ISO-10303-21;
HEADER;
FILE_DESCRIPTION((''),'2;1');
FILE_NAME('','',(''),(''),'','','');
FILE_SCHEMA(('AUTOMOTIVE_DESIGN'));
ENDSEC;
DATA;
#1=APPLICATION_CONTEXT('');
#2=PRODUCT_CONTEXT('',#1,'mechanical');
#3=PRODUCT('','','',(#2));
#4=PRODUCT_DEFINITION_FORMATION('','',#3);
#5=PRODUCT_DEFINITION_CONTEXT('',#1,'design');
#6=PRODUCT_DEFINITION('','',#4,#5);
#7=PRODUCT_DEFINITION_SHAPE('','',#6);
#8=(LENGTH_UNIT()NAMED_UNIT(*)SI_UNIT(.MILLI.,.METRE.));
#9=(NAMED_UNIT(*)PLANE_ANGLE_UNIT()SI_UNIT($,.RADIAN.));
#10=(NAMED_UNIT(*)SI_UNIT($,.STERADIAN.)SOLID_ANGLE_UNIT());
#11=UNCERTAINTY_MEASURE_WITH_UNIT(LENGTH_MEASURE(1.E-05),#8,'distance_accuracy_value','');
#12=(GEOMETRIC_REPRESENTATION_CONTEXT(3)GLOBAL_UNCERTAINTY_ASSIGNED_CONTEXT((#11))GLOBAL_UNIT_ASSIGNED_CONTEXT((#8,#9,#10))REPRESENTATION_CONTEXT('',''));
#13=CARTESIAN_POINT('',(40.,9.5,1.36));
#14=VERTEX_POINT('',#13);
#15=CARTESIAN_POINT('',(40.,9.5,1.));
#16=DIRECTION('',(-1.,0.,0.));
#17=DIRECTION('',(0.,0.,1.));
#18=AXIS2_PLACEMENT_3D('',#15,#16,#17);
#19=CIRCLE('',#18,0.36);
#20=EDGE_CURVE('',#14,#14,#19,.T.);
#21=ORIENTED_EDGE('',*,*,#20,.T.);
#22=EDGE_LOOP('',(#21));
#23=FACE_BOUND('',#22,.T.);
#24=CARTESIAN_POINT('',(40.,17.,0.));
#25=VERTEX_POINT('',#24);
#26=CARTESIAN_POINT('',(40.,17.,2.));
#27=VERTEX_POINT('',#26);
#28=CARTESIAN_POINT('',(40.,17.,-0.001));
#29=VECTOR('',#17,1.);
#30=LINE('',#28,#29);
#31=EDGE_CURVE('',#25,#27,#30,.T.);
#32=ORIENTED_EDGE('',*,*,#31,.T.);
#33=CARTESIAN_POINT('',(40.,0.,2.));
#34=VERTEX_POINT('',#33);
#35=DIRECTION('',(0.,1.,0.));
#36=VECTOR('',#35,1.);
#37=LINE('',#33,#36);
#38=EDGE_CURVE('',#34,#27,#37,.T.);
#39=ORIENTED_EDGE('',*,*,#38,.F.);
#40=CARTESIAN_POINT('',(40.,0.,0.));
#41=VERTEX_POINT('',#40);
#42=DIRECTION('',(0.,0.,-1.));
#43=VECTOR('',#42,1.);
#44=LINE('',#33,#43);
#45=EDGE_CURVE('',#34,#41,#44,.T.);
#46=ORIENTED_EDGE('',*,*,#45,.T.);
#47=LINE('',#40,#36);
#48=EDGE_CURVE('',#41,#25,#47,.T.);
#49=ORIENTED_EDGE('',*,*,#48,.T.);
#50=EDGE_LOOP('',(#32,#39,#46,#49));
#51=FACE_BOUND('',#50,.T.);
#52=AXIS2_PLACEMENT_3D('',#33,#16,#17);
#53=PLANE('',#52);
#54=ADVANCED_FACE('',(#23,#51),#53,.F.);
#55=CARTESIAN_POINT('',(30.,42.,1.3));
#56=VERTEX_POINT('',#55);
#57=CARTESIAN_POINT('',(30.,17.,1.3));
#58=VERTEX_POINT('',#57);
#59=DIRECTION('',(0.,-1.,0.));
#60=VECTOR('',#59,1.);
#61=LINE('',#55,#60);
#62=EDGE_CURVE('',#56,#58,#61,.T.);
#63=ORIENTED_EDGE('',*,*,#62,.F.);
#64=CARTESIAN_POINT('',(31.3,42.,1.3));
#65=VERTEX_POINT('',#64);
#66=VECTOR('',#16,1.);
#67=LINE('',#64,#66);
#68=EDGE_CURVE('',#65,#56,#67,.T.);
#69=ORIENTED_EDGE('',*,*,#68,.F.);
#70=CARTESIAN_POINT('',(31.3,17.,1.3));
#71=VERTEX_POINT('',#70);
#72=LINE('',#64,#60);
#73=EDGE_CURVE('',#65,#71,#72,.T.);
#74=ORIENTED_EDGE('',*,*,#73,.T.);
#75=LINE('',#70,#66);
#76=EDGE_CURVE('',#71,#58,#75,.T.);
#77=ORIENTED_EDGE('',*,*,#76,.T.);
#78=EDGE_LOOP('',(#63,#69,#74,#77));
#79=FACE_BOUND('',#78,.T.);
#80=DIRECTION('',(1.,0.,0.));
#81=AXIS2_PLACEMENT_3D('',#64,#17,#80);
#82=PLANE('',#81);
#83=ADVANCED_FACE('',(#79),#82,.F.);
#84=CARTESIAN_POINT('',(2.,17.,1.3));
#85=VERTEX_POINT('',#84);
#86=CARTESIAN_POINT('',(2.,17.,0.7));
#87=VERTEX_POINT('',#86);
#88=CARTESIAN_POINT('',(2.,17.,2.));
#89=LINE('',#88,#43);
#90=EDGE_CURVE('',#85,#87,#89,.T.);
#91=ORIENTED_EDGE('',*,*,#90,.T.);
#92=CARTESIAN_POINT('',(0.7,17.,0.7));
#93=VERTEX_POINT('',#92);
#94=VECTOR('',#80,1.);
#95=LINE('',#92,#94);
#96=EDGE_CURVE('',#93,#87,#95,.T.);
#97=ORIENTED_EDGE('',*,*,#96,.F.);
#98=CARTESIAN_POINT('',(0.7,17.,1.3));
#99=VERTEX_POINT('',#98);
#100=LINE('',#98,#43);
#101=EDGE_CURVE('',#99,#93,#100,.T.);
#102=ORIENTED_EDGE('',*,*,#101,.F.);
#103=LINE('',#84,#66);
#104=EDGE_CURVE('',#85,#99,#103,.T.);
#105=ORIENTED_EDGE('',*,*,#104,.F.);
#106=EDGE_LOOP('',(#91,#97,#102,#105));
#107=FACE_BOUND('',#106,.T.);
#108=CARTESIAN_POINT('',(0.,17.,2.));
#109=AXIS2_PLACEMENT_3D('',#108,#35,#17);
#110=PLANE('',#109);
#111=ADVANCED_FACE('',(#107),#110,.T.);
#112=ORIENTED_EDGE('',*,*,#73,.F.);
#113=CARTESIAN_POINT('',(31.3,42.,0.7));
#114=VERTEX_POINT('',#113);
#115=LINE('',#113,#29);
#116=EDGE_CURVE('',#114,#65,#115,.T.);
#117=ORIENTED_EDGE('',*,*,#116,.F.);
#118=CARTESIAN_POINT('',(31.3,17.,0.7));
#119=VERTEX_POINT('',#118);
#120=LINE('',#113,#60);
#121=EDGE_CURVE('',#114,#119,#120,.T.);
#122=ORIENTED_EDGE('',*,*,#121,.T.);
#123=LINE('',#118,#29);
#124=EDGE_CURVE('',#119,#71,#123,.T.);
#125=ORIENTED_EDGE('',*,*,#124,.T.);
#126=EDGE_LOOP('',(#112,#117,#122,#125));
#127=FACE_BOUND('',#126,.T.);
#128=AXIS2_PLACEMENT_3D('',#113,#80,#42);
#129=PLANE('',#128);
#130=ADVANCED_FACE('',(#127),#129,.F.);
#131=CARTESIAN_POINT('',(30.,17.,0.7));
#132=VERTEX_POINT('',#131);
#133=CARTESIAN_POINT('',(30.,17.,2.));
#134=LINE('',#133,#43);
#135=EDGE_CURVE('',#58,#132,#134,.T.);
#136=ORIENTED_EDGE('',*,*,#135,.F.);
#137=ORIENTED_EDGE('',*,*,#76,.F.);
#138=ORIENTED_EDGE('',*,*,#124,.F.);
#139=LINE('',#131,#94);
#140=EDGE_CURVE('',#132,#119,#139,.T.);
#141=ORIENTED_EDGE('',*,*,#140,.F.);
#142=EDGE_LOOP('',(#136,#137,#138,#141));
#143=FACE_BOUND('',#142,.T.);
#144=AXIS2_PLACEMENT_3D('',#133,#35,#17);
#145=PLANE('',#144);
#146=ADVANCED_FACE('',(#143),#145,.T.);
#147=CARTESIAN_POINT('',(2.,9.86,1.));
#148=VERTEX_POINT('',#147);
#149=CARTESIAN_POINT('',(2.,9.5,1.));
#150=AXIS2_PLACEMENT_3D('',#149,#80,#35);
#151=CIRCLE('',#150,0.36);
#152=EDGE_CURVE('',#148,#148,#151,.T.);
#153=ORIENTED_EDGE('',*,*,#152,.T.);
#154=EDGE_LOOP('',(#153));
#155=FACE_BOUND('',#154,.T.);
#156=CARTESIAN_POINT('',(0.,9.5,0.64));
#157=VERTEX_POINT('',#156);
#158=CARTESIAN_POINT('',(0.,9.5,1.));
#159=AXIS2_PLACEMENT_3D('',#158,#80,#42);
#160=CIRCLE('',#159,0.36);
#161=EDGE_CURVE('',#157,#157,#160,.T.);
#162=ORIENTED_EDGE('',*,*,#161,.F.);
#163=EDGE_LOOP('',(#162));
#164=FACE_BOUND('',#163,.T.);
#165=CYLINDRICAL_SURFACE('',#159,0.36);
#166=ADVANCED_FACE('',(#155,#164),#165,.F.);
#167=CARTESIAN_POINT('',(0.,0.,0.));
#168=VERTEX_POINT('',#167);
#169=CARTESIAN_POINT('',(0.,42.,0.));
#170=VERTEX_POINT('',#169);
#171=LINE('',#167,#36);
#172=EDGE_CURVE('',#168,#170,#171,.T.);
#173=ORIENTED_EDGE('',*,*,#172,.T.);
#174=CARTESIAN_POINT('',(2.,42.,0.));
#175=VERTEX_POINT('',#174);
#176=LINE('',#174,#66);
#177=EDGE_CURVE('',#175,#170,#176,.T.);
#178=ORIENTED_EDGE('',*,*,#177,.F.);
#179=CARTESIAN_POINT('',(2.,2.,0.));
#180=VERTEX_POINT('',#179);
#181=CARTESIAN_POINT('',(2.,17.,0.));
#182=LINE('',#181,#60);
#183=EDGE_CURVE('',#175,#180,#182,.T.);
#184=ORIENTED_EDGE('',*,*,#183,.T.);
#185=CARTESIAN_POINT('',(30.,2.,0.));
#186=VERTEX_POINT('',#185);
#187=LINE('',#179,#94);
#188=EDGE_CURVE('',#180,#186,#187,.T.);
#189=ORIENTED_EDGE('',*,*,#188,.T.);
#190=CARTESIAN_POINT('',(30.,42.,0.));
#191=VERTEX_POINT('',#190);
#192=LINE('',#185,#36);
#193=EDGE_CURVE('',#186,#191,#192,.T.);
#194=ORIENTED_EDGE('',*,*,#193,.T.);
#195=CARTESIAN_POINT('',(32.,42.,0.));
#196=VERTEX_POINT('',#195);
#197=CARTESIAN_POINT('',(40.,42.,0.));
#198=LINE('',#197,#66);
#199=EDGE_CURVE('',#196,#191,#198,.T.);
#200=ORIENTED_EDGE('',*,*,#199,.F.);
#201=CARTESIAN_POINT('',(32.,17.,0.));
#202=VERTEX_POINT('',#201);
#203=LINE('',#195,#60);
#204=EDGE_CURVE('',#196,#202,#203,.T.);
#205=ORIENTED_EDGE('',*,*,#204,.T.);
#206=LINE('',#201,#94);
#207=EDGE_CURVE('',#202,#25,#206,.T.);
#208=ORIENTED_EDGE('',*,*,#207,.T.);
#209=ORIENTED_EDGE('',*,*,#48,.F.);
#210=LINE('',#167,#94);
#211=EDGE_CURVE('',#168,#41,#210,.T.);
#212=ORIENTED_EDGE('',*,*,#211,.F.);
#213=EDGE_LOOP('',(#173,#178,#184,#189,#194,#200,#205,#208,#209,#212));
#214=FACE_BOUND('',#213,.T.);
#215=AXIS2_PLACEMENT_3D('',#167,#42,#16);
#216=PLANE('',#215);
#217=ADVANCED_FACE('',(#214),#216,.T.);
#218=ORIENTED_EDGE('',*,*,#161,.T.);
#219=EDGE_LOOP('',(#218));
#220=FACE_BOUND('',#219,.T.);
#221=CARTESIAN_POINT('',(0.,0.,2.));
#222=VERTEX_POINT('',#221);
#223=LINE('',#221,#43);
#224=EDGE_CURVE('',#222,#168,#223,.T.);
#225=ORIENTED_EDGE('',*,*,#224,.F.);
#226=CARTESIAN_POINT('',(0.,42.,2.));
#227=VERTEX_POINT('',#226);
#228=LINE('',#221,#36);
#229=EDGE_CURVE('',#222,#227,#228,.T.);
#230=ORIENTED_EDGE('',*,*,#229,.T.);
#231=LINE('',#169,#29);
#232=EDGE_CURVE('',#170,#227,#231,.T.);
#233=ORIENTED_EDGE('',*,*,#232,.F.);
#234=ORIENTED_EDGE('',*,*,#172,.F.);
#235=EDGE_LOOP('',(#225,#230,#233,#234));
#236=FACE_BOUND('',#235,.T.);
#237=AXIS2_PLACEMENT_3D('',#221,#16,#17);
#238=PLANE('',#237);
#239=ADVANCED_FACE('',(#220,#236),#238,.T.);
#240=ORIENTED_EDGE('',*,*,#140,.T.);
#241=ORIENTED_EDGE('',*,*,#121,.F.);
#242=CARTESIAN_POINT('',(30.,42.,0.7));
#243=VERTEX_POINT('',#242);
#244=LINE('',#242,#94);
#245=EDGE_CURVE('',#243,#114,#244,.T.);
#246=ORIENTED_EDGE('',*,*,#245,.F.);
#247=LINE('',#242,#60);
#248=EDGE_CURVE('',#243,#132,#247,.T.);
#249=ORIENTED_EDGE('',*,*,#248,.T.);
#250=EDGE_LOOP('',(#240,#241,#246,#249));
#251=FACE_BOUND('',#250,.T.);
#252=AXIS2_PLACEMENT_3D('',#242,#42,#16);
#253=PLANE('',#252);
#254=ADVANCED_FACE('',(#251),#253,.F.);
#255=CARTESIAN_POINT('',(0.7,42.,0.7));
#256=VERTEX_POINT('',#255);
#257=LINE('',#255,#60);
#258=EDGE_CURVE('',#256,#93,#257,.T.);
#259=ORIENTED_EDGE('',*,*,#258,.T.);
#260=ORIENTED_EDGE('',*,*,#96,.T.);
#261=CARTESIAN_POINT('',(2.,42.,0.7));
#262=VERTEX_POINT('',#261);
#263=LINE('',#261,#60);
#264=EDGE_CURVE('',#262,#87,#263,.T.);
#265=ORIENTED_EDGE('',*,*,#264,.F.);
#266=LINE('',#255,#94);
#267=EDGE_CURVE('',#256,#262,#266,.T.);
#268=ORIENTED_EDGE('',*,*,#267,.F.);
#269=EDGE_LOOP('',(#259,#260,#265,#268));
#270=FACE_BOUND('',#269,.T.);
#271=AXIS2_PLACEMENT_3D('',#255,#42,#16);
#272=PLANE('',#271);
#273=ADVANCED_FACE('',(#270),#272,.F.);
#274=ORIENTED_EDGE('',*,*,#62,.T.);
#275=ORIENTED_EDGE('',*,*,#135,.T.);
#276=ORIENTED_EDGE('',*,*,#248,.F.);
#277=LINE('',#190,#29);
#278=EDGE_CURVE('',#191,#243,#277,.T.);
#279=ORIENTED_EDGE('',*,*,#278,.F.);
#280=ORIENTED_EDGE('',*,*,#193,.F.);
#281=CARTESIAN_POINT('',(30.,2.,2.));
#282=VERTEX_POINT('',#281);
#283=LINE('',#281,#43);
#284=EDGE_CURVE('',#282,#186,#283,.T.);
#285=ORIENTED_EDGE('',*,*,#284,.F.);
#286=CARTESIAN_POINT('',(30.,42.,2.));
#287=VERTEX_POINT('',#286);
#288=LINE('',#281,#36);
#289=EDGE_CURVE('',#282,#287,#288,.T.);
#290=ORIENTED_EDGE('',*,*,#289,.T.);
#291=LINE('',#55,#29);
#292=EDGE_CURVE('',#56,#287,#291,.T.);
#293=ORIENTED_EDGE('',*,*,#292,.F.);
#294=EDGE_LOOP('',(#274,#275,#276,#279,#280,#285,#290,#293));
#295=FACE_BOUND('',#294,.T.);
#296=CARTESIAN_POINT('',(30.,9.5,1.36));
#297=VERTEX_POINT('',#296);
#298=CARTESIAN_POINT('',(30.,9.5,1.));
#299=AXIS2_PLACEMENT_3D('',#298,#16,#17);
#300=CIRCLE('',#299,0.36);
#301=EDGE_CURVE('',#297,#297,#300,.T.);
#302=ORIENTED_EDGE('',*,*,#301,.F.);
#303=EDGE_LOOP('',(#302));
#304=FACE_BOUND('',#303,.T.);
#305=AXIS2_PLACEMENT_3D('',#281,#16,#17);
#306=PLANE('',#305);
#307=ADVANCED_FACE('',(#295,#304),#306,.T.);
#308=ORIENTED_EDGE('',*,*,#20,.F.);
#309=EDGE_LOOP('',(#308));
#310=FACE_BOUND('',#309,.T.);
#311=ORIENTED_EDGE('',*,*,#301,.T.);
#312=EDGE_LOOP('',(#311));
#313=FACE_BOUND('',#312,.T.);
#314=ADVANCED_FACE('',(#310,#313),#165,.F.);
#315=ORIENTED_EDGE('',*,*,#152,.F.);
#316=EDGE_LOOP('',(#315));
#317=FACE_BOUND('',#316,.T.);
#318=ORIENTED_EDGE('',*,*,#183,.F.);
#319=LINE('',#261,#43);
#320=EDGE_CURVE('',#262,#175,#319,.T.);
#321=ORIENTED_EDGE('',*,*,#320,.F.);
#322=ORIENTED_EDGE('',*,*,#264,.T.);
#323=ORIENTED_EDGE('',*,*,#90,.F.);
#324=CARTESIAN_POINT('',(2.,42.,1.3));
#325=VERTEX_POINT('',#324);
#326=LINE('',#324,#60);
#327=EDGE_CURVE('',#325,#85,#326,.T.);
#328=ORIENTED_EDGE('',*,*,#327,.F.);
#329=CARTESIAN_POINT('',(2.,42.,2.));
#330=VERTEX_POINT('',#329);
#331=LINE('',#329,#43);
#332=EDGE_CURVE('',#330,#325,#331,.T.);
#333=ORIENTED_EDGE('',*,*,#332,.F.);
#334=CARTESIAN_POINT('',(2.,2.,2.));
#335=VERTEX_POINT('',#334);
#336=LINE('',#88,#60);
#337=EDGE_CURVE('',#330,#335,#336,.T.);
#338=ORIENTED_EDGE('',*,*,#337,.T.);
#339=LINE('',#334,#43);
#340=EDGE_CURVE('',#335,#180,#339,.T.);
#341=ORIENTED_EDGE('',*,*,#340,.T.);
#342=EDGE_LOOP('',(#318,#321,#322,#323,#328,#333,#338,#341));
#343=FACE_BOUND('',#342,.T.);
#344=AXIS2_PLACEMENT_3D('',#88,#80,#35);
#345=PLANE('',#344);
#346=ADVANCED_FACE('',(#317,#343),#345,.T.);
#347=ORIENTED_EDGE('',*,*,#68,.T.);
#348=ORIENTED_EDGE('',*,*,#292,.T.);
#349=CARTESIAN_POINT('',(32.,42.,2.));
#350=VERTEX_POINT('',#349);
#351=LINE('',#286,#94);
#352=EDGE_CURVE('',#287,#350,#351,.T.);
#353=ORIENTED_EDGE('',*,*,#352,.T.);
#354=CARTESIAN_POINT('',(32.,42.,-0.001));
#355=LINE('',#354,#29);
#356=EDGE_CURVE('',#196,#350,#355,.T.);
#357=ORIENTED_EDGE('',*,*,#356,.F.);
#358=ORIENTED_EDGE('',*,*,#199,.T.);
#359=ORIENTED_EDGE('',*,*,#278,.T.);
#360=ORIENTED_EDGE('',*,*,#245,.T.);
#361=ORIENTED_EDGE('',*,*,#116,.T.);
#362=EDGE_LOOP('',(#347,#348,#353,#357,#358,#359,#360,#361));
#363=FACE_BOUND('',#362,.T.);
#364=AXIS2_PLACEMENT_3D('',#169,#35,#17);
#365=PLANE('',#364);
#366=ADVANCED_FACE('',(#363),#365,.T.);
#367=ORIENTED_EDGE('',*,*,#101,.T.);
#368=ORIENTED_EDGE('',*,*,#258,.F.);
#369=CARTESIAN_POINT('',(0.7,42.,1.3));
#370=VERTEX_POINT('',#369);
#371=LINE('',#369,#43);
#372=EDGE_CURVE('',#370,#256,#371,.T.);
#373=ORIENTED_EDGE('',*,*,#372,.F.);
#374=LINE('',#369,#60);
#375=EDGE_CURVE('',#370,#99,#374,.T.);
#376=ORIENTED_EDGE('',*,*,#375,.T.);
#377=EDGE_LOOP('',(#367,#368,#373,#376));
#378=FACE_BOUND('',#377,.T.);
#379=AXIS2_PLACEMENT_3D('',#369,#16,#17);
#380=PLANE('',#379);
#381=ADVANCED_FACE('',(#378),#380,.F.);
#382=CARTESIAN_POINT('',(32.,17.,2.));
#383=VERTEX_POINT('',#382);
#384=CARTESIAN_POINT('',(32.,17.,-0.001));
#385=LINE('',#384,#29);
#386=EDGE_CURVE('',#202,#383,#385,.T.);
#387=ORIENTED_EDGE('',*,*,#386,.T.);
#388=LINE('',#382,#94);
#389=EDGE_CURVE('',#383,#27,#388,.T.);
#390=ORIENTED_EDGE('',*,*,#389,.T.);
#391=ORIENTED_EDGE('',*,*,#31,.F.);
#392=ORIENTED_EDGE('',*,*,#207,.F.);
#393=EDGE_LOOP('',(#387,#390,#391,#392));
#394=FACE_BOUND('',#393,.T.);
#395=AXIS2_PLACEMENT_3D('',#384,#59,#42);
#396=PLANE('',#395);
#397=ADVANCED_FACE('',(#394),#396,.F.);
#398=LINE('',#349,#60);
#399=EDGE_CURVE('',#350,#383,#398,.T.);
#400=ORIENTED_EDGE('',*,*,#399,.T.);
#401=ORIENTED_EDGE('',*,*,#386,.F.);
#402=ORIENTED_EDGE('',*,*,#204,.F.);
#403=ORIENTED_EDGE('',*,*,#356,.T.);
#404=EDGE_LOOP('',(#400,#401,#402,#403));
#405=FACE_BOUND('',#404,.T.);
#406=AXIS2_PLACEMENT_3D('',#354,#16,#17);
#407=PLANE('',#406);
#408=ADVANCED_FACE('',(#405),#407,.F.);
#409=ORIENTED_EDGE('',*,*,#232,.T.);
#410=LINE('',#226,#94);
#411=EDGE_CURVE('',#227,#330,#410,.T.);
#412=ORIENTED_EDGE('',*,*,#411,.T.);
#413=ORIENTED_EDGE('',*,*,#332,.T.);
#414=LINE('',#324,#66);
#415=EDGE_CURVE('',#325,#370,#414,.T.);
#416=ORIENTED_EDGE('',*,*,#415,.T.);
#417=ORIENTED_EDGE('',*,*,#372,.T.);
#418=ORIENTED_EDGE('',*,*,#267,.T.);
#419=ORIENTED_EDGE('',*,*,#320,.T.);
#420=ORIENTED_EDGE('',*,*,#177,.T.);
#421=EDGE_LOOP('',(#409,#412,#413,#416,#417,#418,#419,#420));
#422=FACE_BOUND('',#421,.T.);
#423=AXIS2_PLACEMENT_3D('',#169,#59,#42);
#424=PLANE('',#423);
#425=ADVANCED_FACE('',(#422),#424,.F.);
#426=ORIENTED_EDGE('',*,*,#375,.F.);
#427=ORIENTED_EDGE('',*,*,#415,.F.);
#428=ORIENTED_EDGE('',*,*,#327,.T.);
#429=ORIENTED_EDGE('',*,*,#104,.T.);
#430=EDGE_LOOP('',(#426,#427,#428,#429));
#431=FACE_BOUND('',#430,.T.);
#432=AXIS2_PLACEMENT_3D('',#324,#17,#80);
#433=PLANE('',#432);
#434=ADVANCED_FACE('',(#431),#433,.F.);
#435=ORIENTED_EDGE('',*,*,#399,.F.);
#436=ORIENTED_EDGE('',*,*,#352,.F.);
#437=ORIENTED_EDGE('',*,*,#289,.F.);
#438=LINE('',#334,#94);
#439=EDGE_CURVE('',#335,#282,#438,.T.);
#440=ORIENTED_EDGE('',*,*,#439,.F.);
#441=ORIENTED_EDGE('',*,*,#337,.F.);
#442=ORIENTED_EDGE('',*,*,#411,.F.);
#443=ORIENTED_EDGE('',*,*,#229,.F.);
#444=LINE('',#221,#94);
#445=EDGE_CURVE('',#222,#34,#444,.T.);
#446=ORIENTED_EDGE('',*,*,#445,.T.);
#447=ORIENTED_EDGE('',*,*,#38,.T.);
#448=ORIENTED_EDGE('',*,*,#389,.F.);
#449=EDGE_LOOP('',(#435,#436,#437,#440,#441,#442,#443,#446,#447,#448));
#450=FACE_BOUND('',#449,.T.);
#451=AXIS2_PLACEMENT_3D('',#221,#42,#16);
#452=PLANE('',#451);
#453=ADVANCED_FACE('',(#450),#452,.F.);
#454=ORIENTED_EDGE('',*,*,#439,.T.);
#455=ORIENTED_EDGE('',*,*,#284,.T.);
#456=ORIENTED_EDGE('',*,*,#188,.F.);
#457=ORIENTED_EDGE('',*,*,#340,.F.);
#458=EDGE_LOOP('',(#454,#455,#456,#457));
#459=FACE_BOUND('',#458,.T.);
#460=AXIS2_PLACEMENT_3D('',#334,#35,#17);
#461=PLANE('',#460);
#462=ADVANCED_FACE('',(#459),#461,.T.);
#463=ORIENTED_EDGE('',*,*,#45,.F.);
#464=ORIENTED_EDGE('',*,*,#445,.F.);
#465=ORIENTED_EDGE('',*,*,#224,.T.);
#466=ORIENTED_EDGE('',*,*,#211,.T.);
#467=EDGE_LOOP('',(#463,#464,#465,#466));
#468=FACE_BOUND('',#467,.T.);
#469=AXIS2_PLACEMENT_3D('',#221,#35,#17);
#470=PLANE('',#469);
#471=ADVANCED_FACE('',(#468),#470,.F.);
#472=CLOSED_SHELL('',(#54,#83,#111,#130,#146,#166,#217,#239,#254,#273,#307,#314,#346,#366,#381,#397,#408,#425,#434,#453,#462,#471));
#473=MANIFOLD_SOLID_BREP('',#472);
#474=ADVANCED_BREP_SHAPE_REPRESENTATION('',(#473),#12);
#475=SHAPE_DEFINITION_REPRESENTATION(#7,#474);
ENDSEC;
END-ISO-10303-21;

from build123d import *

# Parameters (mm, degrees)
BOSS_EXTRUDE1_DEPTH     = 2
SKETCH2_R               = 0.36
CUT_EXTRUDE1_DEPTH      = 1
CUT_EXTRUDE1_DEPTH_BACK = 41
BOSS_EXTRUDE2_DEPTH     = 25
BOSS_EXTRUDE3_DEPTH     = 25
CUT_EXTRUDE2_REACH      = 4
SKETCH5_W               = 8
SKETCH5_H               = 25


with BuildPart() as part:
    # Sketch1 → Boss-Extrude1 (new body)
    with BuildSketch(Plane.XY):
        Polygon((2, 17), (2, 2), (30, 2), (30, 17), (40, 17), (40, 0), (0, 0), (0, 17), align=None)
    extrude(amount=BOSS_EXTRUDE1_DEPTH)

    # Sketch2 → Cut-Extrude1 (cut, two sides)
    with BuildSketch(Plane(origin=(40, 0, 0), x_dir=(0, 0, -1), z_dir=(1, 0, 0))) as cut_extrude1_sk:
        with Locations((-1, 9.5)):
            Circle(SKETCH2_R)
    extrude(amount=CUT_EXTRUDE1_DEPTH, mode=Mode.SUBTRACT)
    extrude(cut_extrude1_sk.sketch, amount=-CUT_EXTRUDE1_DEPTH_BACK, mode=Mode.SUBTRACT)

    # Sketch3 → Boss-Extrude2 (add)
    with BuildSketch(Plane(origin=(0, 17, 0), x_dir=(1, 0, 0), z_dir=(0, 1, 0))):
        Polygon((0, -2), (2, -2), (2, -1.3), (0.7, -1.3), (0.7, -0.7), (2, -0.7), (2, 0), (0, 0), align=None)
    extrude(amount=BOSS_EXTRUDE2_DEPTH)

    # Sketch4 → Boss-Extrude3 (add)
    with BuildSketch(Plane(origin=(0, 17, 0), x_dir=(1, 0, 0), z_dir=(0, 1, 0))):
        Polygon((30, -2), (40, -2), (40, 0), (30, 0), (30, -0.7), (31.3, -0.7), (31.3, -1.3), (30, -1.3), align=None)
    extrude(amount=BOSS_EXTRUDE3_DEPTH)

    # Sketch5 → Cut-Extrude2 (cut, up to next)
    with BuildSketch(Plane.XY.offset(2), mode=Mode.PRIVATE) as cut_extrude2_sk1:
        with Locations((36, 29.5)):
            Rectangle(SKETCH5_W, SKETCH5_H)
    cut_extrude2_tool1 = extrude(cut_extrude2_sk1.sketch, amount=-CUT_EXTRUDE2_REACH, mode=Mode.PRIVATE) & part.part
    add(cut_extrude2_tool1.solids().sort_by_distance((36, 29.5, 2))[0], mode=Mode.SUBTRACT)


solid = part.part
